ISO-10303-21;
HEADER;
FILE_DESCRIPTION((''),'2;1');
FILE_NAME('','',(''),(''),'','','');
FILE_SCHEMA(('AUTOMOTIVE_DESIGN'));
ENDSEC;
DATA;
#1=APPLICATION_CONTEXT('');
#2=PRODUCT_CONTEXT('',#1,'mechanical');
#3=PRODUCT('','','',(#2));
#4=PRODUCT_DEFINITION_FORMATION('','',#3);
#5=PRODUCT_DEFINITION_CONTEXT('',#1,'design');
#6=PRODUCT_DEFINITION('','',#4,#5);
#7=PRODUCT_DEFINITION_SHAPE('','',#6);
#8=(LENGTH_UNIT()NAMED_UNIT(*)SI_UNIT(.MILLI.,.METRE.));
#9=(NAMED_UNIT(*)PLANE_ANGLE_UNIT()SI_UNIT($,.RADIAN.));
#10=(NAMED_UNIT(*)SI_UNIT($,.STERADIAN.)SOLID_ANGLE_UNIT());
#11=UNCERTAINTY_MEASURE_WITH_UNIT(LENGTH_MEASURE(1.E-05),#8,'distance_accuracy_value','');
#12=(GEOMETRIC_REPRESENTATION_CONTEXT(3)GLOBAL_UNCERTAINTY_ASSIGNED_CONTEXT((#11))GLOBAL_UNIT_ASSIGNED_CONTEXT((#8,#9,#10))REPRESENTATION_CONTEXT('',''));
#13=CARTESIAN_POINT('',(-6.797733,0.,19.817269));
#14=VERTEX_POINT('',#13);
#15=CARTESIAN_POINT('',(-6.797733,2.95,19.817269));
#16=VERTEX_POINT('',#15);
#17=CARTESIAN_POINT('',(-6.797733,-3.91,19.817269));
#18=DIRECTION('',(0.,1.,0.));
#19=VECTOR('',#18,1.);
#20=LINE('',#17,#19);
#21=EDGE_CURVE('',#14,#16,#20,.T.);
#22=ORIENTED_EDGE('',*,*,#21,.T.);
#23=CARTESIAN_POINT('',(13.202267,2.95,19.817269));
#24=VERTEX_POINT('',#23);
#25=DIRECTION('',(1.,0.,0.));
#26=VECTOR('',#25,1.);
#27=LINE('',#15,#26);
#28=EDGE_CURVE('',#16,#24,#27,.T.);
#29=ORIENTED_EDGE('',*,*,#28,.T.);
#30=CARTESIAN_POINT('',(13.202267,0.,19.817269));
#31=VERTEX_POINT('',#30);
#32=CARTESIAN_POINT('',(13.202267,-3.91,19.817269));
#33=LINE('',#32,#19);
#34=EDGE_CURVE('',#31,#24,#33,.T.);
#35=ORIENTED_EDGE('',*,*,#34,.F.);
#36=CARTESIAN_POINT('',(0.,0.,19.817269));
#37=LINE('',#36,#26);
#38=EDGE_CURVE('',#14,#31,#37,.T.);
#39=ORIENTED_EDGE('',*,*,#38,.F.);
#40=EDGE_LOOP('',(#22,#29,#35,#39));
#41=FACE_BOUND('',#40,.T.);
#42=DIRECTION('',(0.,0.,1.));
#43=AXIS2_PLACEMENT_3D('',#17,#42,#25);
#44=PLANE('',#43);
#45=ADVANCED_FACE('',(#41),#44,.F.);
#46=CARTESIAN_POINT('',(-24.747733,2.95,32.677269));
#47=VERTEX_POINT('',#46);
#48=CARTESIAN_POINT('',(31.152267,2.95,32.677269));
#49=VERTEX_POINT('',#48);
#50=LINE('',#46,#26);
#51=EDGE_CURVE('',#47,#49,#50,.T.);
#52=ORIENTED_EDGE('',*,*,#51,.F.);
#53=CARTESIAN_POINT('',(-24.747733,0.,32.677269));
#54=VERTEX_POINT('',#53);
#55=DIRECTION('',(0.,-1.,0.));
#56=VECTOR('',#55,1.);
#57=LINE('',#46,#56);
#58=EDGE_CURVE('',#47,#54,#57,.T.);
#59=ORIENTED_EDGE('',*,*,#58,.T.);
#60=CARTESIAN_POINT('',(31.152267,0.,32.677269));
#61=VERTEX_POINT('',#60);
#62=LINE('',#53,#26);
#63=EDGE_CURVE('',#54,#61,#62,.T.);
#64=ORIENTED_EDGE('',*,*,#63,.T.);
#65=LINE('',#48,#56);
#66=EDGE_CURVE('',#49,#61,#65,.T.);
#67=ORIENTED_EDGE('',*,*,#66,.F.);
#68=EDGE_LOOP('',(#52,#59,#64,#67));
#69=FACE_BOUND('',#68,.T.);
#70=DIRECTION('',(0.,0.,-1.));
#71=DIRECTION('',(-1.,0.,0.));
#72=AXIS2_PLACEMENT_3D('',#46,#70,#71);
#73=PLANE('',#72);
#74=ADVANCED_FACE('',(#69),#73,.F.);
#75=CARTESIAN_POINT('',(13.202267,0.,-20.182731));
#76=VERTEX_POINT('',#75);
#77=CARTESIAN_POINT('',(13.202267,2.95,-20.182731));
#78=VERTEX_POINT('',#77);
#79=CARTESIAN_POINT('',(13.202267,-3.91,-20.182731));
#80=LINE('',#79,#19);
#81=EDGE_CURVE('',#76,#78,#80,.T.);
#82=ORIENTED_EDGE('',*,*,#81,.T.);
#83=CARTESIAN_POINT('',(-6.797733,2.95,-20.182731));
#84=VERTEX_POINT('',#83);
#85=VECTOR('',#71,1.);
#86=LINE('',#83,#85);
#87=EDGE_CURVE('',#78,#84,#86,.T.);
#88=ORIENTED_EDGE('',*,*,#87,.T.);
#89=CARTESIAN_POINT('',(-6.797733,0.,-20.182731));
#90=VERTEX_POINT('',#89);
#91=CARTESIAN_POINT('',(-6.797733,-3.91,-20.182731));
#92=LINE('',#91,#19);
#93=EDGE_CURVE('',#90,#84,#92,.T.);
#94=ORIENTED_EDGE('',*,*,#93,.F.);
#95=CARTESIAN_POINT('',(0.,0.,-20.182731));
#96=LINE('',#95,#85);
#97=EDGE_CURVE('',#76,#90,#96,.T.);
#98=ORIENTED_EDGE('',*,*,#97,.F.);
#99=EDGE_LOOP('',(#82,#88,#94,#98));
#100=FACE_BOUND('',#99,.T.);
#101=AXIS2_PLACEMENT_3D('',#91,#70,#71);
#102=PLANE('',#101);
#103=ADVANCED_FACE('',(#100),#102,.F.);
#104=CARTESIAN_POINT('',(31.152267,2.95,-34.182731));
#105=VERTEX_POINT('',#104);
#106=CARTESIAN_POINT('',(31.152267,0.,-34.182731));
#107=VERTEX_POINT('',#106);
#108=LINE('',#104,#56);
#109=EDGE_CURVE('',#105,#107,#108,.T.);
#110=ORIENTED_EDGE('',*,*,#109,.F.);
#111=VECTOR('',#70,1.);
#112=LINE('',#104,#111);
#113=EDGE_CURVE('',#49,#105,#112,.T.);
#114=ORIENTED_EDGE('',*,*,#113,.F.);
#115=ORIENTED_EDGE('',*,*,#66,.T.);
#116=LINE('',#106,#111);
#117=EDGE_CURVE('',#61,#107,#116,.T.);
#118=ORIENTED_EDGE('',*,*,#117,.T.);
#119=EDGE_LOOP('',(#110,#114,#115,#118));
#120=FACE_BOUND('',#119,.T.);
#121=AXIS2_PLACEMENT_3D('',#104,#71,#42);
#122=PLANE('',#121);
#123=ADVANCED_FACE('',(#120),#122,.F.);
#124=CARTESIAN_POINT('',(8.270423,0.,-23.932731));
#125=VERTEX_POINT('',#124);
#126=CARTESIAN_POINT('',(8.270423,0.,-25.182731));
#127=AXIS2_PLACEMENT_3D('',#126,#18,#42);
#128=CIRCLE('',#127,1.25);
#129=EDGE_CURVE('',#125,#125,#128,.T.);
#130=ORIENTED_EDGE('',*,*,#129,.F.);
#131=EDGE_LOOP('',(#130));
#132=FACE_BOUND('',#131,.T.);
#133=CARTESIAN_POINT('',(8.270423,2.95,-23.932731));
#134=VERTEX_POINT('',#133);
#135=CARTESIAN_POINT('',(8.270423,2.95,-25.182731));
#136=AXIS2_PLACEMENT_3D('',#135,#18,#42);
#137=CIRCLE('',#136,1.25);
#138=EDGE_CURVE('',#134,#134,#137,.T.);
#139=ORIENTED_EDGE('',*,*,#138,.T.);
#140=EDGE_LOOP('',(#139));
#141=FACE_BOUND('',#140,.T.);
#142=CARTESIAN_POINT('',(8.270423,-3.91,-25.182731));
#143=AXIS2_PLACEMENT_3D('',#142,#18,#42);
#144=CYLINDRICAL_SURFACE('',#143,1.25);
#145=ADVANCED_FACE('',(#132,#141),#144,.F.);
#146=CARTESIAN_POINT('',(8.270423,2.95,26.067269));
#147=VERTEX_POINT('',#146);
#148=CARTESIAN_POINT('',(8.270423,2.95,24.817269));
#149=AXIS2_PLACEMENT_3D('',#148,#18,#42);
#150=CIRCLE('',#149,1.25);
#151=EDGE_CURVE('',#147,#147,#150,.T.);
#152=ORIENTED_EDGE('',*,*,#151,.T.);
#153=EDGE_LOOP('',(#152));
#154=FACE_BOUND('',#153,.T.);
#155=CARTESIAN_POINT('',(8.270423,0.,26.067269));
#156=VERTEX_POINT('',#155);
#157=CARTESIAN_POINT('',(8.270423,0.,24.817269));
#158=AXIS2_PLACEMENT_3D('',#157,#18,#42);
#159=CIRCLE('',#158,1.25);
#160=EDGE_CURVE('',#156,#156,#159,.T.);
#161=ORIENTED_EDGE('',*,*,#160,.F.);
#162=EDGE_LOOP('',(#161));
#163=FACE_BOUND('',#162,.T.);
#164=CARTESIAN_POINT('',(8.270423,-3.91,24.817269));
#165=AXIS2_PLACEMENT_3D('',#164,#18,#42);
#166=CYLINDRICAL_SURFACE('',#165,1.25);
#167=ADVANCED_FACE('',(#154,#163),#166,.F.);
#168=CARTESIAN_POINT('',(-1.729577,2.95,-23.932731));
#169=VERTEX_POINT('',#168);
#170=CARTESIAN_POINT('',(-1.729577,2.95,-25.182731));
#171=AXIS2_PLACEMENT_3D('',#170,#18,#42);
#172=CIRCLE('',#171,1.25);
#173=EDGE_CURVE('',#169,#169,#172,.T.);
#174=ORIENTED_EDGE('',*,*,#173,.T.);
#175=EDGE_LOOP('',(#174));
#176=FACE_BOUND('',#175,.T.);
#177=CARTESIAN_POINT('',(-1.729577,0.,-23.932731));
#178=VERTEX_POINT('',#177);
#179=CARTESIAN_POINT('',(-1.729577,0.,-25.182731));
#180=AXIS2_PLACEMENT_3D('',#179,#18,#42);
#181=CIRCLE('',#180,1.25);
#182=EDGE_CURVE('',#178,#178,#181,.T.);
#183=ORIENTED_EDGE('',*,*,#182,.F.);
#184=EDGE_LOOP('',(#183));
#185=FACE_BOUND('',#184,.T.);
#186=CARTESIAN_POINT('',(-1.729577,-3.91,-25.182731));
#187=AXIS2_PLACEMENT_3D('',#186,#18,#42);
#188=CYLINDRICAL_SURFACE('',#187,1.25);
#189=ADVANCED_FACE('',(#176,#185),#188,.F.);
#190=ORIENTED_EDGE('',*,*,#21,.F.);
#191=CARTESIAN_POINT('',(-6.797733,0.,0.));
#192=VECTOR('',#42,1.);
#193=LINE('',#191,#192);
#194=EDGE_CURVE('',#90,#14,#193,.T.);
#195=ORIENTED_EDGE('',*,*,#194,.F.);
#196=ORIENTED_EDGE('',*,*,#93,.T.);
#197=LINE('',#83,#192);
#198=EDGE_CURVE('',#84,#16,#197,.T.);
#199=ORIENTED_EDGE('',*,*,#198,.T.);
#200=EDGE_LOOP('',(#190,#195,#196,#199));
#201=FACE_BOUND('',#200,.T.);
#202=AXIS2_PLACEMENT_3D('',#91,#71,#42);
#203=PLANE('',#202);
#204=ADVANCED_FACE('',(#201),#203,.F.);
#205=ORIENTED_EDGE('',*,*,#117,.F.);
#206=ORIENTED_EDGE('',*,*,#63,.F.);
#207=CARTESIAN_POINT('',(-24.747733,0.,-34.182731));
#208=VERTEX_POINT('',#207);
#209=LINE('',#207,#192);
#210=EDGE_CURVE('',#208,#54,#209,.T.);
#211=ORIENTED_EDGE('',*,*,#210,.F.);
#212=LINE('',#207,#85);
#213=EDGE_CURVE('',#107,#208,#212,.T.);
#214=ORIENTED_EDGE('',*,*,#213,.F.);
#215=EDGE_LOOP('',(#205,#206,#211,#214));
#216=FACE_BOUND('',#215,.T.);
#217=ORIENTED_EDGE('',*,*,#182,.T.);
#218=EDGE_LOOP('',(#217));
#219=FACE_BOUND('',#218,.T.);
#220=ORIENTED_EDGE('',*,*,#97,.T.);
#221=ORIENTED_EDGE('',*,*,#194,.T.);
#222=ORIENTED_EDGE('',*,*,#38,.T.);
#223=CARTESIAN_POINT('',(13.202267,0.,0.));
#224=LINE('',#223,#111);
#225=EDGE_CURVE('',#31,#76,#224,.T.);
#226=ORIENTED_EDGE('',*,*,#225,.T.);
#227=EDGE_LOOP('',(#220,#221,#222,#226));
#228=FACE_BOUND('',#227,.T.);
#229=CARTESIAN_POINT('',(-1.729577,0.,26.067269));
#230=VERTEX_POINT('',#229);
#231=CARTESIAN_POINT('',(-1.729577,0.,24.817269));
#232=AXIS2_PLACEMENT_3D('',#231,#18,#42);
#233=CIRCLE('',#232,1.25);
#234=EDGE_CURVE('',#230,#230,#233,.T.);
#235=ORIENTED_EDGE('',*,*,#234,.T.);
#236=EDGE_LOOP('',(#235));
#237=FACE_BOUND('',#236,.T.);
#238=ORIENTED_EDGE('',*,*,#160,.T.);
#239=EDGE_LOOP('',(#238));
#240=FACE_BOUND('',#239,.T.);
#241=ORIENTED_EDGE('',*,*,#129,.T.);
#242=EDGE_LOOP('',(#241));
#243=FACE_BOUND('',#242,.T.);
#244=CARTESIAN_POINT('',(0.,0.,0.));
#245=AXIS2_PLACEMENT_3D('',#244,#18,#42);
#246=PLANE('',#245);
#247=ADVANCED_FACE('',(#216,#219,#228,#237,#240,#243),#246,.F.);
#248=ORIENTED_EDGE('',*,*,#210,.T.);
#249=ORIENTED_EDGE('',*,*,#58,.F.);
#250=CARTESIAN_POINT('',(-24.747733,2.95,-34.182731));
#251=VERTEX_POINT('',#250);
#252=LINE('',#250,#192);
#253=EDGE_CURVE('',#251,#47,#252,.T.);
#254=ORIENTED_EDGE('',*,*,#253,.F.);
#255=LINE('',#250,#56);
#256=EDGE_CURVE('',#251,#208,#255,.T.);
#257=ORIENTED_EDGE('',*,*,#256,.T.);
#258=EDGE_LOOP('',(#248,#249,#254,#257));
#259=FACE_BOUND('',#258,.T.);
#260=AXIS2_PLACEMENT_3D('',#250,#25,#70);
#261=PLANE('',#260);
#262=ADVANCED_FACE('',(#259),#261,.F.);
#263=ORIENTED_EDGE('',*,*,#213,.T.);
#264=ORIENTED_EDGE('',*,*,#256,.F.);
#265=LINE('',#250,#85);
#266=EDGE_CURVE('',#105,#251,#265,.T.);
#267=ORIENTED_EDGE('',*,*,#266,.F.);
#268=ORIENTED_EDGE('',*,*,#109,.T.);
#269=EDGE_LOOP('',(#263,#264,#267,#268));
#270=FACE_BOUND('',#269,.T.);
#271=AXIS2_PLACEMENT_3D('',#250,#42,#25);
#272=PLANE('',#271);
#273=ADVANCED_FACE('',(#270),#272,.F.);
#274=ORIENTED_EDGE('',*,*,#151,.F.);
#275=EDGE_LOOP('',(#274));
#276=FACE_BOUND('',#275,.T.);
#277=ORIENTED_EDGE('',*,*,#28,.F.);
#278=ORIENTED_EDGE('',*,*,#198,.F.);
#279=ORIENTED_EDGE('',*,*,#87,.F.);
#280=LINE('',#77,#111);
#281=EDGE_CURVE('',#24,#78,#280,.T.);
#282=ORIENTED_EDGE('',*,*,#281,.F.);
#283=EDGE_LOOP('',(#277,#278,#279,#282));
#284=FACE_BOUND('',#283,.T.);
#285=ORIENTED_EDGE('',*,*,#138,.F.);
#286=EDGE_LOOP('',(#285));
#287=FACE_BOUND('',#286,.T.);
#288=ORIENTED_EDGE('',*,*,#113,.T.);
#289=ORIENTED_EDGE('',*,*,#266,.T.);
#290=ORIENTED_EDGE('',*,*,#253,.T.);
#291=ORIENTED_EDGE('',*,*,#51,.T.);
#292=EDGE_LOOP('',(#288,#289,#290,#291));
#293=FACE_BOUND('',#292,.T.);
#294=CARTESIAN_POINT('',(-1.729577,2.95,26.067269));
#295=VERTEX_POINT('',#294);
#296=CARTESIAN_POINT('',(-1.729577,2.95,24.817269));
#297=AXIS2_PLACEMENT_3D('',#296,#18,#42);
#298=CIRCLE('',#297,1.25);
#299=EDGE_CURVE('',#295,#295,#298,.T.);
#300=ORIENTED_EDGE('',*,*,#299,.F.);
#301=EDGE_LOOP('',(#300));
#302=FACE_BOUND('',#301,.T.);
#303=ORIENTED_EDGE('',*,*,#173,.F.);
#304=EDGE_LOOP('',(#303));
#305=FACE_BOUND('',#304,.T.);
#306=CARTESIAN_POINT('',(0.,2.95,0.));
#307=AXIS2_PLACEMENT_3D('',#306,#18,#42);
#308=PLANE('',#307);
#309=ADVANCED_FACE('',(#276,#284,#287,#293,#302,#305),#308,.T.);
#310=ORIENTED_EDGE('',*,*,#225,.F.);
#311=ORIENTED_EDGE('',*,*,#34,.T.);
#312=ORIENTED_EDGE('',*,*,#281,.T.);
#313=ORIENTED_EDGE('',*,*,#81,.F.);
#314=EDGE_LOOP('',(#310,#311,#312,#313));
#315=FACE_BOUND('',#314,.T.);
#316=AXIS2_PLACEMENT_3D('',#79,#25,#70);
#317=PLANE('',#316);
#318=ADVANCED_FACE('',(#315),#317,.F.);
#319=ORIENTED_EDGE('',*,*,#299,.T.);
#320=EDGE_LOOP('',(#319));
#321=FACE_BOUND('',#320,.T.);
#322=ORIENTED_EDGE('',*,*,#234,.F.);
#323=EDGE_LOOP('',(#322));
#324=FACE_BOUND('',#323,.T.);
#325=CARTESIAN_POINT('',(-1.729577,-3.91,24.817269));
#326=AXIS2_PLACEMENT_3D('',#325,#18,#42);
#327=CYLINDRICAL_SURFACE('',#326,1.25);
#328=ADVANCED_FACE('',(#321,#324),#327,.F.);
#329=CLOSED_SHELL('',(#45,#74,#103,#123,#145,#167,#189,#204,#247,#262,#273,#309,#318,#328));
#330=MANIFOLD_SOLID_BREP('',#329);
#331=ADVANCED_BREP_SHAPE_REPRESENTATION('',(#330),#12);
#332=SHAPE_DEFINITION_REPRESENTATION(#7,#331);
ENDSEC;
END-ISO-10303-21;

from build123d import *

# Parameters (mm, degrees)
SKETCH1_W           = 55.9
SKETCH1_H           = 66.86
BOSS_EXTRUDE1_DEPTH = 2.95
SKETCH3_W           = 20
SKETCH3_H           = 40
CUT_EXTRUDE1_DEPTH  = 6.86
SKETCH4_R           = 1.25
CUT_EXTRUDE2_DEPTH  = 6.86


with BuildPart() as part:
    # Sketch1 → Boss-Extrude1 (new body)
    with BuildSketch(Plane(origin=(0, 0, 0), x_dir=(1, 0, 0), z_dir=(0, 1, 0))):
        with Locations((3.202267267, 0.752730799)):
            Rectangle(SKETCH1_W, SKETCH1_H)
    extrude(amount=BOSS_EXTRUDE1_DEPTH)

    # Sketch3 → Cut-Extrude1 (cut)
    with BuildSketch(Plane(origin=(0, 2.95, 0), x_dir=(1, 0, 0), z_dir=(0, 1, 0))):
        with Locations((3.202267267, 0.182730799)):
            Rectangle(SKETCH3_W, SKETCH3_H)
    extrude(amount=-CUT_EXTRUDE1_DEPTH, mode=Mode.SUBTRACT)

    # Sketch4 → Cut-Extrude2 (cut)
    with BuildSketch(Plane(origin=(0, 2.95, 0), x_dir=(1, 0, 0), z_dir=(0, 1, 0))):
        with Locations((-1.729576987, 25.182730799)):
            Circle(SKETCH4_R)
        with Locations((8.270423013, 25.182730799)):
            Circle(SKETCH4_R)
        with Locations((-1.729576987, -24.817269201)):
            Circle(SKETCH4_R)
        with Locations((8.270423013, -24.817269201)):
            Circle(SKETCH4_R)
    extrude(amount=-CUT_EXTRUDE2_DEPTH, mode=Mode.SUBTRACT)


solid = part.part
